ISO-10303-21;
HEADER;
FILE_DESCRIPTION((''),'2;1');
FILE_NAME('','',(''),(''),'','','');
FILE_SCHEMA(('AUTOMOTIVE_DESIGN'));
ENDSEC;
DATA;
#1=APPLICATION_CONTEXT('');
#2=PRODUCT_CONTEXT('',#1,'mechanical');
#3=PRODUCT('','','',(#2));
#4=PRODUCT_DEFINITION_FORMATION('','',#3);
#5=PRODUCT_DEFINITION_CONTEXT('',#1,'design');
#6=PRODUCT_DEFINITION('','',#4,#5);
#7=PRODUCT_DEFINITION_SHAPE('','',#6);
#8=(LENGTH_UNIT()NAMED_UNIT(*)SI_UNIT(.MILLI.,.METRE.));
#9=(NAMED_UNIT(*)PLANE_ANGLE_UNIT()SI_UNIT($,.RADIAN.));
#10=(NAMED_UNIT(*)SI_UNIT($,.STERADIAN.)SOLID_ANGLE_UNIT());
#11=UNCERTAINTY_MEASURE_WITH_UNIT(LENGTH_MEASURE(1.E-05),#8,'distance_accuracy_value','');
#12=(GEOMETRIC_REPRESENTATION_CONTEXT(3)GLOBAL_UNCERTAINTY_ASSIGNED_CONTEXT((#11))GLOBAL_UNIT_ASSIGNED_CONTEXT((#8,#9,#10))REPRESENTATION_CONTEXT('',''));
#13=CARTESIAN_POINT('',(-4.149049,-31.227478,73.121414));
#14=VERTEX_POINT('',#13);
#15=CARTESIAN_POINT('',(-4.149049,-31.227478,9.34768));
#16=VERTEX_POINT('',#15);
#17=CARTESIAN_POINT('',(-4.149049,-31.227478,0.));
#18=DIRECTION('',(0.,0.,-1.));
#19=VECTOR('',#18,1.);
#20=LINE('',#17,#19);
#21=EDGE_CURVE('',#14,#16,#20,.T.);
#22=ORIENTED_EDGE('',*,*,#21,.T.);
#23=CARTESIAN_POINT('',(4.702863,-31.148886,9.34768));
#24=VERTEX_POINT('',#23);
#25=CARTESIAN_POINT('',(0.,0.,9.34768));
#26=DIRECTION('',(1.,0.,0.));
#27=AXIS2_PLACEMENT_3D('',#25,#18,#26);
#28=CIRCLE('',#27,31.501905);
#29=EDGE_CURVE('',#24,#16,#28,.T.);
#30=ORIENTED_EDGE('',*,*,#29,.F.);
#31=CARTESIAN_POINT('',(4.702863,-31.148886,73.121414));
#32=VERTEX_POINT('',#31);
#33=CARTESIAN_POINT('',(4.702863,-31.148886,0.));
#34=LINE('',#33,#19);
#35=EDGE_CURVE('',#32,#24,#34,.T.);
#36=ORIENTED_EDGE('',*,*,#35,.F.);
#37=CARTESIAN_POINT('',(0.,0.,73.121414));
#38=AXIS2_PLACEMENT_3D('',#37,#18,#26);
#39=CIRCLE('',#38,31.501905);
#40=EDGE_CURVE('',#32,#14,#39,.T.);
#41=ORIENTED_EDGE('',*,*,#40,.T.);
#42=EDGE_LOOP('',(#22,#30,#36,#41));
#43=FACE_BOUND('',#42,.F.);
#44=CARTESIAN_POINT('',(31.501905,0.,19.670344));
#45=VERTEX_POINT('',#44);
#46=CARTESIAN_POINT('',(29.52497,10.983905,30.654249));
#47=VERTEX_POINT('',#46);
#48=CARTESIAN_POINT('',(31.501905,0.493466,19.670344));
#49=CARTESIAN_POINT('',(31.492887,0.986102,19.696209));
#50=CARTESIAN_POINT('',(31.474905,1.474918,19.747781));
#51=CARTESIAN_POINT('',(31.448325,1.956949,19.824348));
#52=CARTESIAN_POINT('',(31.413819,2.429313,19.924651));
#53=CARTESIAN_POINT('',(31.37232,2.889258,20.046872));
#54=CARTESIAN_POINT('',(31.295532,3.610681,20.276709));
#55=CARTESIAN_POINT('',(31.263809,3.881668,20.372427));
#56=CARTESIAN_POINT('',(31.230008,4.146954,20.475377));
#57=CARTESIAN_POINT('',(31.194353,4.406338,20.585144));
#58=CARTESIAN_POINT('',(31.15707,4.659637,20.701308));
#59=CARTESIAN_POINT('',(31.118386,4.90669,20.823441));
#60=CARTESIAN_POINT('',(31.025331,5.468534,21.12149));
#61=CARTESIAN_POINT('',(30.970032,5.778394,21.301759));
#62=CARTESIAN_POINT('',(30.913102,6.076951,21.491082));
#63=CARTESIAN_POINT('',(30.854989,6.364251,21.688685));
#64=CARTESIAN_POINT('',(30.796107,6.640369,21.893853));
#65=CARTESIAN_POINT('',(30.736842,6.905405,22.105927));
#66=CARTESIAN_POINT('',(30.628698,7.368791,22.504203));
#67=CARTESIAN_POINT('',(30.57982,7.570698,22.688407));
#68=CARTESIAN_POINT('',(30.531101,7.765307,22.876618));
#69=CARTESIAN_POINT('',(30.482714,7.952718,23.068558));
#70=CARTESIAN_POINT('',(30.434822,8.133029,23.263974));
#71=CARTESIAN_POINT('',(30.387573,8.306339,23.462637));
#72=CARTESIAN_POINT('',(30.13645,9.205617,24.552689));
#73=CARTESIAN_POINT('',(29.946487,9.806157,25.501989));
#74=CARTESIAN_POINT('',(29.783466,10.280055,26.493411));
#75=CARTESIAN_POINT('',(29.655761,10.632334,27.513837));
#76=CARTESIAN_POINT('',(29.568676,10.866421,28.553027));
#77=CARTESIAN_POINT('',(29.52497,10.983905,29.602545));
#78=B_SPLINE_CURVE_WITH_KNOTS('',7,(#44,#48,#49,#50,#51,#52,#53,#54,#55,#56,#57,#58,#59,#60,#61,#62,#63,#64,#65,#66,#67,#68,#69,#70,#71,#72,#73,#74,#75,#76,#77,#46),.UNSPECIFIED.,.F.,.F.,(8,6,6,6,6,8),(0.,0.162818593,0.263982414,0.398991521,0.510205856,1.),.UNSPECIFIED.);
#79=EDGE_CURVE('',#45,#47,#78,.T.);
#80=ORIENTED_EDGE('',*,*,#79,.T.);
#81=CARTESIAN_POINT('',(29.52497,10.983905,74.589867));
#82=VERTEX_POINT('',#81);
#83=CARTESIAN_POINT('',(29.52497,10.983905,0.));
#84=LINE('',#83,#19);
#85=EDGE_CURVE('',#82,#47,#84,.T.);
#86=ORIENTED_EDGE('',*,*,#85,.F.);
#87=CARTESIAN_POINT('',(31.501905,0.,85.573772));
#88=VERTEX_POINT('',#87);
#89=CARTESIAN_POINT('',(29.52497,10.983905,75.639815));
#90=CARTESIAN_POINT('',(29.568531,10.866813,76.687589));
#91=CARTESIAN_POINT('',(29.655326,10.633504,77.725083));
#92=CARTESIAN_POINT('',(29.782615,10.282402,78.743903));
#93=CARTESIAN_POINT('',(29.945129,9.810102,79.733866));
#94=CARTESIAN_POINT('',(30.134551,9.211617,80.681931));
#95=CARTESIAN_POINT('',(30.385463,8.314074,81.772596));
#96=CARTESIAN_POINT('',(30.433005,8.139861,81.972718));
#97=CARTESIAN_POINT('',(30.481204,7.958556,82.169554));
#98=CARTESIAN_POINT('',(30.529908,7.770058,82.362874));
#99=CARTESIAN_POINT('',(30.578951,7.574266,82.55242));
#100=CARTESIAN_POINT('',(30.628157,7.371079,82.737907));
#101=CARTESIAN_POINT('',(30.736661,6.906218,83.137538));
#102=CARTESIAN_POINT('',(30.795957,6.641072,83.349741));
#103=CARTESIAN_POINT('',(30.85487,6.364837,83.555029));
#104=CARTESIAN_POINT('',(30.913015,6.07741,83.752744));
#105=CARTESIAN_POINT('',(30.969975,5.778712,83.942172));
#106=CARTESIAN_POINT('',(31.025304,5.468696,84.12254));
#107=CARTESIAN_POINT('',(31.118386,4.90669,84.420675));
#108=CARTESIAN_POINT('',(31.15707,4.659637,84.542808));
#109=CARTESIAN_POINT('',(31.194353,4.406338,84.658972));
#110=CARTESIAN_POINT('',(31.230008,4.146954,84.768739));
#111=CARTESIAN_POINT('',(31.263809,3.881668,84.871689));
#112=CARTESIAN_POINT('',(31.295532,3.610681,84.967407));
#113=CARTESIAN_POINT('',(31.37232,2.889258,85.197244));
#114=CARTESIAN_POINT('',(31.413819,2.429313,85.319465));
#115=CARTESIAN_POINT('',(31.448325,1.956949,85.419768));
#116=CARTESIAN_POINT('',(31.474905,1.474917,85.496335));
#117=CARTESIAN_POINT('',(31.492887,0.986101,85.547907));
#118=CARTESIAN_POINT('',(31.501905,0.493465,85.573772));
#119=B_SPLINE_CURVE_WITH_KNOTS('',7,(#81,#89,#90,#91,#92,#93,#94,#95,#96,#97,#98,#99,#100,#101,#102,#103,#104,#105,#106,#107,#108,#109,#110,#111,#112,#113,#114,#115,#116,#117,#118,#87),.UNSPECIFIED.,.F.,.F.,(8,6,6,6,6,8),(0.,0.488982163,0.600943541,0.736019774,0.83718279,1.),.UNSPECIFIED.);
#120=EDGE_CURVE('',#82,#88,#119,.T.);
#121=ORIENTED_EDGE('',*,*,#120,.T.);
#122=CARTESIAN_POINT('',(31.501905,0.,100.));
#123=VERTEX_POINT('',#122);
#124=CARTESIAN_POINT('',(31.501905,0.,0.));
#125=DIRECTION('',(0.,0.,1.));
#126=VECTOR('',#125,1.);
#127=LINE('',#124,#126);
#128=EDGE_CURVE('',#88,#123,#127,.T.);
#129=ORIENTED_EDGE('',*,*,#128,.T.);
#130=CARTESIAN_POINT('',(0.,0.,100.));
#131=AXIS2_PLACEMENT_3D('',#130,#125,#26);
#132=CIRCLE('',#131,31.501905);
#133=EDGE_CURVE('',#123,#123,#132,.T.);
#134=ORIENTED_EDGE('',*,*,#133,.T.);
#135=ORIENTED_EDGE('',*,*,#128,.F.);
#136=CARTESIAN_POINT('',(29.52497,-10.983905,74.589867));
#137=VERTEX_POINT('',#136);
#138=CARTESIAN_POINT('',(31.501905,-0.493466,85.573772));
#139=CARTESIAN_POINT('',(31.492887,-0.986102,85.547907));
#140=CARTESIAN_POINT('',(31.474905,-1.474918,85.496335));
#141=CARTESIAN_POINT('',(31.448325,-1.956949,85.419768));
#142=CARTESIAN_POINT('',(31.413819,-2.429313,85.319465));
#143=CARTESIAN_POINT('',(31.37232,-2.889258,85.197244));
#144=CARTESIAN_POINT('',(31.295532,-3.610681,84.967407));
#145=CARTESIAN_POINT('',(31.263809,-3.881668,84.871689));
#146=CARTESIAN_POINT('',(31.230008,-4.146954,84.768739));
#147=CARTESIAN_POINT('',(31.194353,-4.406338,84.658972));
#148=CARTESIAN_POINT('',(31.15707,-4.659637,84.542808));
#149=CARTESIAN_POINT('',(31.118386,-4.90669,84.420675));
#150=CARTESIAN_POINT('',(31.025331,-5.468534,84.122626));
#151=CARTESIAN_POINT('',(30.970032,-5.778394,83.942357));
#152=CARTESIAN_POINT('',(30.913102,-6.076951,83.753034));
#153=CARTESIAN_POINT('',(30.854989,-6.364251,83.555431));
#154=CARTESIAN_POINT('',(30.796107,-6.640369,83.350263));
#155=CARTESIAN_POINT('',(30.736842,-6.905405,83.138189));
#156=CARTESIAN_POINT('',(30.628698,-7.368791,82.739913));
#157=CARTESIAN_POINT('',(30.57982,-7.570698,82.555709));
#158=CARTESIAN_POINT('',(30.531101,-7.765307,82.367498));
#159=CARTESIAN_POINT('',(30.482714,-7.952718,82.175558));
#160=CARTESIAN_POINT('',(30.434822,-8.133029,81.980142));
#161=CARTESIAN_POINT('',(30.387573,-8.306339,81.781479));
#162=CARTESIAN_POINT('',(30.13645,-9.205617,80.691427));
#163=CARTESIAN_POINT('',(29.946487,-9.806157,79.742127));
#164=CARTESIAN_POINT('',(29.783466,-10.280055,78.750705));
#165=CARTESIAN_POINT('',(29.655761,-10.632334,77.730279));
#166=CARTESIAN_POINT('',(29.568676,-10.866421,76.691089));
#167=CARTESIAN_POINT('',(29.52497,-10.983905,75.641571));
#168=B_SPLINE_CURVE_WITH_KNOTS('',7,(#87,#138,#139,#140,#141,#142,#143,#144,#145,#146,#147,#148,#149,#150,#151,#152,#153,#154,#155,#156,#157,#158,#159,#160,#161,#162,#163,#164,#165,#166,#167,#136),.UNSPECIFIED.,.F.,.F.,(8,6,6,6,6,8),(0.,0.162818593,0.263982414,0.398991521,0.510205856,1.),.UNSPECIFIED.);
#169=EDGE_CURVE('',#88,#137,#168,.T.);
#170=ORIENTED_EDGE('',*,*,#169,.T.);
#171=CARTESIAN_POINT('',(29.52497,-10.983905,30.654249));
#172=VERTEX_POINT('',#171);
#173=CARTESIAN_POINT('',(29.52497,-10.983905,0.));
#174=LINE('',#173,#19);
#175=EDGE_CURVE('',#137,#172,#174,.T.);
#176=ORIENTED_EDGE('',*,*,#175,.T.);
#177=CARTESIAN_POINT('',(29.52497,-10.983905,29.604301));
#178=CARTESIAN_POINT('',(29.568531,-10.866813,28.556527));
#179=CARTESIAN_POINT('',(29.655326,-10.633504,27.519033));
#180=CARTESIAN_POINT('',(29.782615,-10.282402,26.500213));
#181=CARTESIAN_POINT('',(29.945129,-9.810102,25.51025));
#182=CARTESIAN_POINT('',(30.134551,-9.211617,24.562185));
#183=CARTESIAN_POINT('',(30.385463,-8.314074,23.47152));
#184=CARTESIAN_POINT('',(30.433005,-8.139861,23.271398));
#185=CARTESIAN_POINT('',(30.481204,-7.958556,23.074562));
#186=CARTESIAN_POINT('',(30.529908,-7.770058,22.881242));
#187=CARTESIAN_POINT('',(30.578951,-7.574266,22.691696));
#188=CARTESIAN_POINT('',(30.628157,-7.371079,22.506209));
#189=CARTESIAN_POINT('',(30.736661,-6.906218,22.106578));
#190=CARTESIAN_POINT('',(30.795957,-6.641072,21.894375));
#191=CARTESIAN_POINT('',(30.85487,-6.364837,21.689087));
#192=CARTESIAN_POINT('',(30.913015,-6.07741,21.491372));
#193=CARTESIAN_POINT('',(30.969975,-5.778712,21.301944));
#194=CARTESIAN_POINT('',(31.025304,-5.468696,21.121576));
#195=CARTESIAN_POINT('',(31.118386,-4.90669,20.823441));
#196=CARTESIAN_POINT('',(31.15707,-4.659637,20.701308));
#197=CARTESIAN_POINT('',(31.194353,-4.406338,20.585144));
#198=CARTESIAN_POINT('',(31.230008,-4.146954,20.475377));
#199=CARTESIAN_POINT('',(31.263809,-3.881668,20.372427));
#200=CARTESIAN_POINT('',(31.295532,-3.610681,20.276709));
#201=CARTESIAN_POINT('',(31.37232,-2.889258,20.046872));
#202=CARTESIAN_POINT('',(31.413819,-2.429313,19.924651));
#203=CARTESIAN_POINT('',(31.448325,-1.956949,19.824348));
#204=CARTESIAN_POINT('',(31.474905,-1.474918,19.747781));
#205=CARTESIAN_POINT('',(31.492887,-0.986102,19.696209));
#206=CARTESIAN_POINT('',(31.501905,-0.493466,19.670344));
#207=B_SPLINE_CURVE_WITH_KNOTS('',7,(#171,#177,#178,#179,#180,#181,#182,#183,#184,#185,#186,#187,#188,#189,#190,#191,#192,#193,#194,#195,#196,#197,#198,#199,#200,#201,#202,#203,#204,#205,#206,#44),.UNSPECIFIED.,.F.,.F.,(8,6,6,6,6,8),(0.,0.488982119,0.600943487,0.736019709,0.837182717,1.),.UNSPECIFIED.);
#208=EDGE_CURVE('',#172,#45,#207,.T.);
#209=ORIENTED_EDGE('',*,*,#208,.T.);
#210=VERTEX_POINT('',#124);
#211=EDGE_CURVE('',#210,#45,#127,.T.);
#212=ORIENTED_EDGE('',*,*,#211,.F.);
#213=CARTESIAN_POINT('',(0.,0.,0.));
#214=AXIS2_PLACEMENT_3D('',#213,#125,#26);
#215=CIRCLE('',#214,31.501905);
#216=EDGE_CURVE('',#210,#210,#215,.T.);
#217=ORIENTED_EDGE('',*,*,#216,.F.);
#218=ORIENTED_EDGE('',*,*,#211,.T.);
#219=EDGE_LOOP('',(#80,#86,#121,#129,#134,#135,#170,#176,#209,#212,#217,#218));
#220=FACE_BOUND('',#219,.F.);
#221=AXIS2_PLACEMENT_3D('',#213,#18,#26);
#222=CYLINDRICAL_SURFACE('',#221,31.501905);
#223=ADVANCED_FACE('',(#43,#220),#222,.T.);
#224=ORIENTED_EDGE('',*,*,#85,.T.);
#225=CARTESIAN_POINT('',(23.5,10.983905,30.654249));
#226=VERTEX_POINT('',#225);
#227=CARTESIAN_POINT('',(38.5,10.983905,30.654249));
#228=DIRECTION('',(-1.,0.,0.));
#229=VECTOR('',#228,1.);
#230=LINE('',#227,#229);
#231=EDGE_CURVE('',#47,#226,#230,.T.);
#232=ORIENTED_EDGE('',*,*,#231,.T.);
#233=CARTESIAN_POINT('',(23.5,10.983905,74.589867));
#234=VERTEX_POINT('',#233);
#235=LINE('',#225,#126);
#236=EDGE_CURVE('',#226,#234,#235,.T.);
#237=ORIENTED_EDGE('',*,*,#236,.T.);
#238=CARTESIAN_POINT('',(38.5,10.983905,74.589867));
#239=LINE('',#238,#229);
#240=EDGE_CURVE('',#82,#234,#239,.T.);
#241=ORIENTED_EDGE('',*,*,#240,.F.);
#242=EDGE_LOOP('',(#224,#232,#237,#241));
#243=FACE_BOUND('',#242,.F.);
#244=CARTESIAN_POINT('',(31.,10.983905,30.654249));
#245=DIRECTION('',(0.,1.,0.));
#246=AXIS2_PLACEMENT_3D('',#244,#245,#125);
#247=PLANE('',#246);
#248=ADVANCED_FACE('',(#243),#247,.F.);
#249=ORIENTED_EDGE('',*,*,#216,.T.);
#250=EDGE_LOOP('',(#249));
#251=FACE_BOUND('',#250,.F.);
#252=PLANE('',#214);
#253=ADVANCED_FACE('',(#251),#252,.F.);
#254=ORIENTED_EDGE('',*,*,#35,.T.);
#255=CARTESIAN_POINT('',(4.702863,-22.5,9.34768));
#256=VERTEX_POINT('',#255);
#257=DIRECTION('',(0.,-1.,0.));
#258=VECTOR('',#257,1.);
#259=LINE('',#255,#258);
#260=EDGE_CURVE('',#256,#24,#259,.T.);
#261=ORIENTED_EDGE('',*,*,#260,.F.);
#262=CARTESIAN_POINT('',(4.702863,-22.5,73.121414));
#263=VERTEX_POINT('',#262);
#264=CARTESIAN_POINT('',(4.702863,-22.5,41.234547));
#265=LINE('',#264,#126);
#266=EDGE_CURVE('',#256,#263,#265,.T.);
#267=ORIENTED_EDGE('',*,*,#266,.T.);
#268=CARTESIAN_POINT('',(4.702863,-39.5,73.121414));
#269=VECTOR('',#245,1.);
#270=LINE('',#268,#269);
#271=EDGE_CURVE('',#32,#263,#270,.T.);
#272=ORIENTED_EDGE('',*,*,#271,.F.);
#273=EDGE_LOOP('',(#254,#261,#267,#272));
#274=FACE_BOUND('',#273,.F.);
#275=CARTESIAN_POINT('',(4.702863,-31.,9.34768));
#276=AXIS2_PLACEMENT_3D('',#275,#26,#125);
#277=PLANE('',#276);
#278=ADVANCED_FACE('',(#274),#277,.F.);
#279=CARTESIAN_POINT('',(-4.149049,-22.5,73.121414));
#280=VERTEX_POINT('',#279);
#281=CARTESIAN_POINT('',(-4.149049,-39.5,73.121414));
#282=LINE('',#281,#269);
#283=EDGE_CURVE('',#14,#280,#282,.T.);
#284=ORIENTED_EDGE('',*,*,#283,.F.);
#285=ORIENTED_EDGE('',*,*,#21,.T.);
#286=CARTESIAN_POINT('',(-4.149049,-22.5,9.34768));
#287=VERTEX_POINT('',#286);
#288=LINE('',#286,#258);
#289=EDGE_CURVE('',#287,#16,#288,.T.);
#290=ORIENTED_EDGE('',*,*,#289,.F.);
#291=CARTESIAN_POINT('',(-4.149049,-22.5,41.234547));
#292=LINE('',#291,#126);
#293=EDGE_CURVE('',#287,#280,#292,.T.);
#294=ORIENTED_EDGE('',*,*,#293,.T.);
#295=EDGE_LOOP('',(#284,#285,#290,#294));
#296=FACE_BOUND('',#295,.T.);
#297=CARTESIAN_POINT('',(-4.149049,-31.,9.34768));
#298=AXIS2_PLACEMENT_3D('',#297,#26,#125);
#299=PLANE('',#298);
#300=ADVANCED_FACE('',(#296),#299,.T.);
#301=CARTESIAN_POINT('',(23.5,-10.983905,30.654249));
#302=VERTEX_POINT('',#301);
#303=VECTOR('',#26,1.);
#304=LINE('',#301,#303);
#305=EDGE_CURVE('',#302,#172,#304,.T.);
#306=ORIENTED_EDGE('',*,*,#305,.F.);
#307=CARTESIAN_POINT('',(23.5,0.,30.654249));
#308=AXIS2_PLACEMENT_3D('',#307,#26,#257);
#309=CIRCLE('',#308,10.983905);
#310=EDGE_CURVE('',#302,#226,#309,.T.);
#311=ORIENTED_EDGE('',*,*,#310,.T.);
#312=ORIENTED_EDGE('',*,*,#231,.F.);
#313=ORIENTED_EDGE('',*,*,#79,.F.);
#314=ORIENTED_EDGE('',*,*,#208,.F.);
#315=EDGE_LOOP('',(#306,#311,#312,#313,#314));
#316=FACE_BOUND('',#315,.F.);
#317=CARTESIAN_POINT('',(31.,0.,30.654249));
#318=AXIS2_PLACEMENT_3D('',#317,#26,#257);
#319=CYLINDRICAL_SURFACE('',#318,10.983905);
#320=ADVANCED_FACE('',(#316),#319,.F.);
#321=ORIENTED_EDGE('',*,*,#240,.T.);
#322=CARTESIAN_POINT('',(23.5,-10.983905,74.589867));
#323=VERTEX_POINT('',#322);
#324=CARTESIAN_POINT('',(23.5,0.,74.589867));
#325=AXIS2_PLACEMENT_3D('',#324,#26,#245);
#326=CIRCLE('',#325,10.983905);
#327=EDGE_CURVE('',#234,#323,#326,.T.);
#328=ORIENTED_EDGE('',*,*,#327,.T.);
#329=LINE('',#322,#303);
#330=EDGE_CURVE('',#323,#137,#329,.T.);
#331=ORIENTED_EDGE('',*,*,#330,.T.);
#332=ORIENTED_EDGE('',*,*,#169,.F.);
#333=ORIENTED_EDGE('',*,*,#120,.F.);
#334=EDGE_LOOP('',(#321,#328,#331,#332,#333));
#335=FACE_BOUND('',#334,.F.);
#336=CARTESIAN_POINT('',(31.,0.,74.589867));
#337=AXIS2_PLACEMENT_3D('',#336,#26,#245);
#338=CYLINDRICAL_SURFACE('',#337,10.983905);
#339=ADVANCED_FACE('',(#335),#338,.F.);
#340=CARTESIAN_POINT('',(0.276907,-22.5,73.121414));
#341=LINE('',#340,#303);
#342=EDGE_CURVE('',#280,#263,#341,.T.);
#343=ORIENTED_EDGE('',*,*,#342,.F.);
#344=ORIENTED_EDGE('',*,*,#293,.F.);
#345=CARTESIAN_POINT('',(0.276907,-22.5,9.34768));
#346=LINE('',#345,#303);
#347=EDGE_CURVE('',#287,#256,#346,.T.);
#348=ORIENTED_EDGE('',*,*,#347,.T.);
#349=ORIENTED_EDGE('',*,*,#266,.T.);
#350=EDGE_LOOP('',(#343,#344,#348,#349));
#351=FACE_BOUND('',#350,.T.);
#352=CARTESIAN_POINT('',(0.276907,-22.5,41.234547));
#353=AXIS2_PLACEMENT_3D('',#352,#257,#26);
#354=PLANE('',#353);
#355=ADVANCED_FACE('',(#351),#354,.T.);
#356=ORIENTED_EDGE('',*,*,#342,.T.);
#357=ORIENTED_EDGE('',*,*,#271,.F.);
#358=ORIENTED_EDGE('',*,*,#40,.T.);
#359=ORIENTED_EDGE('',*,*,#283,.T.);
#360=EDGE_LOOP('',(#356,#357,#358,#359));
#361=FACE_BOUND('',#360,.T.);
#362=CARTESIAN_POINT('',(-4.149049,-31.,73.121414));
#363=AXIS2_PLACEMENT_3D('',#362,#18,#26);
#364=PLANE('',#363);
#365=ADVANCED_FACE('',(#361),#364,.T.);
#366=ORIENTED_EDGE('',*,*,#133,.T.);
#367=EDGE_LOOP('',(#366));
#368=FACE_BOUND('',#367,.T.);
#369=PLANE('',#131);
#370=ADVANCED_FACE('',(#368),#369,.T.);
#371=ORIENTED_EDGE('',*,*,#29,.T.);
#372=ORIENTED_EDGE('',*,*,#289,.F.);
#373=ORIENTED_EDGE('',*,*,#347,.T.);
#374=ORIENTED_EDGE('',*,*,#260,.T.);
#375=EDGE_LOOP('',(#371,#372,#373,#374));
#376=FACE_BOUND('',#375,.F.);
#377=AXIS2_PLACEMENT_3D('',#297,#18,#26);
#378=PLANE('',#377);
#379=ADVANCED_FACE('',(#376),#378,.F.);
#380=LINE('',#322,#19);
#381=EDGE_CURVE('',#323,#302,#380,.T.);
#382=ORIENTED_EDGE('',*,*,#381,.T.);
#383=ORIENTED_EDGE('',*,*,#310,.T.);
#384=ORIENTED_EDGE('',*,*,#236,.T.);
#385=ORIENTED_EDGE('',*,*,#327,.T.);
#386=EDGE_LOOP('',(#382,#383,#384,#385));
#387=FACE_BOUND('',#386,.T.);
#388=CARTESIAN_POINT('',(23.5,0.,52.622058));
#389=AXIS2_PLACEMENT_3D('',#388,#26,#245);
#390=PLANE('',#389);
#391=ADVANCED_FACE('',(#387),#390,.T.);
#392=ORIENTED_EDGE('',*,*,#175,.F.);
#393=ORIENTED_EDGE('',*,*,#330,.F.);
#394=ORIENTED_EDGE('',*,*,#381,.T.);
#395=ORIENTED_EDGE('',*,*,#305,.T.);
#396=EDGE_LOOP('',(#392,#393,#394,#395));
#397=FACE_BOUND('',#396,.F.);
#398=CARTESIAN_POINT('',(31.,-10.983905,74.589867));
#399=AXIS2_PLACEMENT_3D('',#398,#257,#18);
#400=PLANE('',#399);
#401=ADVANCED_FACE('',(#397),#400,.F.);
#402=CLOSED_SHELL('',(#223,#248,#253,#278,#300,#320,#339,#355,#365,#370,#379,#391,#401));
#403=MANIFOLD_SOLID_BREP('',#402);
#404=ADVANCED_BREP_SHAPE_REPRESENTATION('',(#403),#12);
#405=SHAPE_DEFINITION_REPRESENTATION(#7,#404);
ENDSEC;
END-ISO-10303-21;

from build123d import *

# Parameters (mm, degrees)
SKETCH_R        = 31.501905
PAD_DEPTH       = 100
SKETCH001_W     = 8.851912
SKETCH001_H     = 63.773734
POCKET_DEPTH    = 8.5
POCKET001_DEPTH = 7.5


with BuildPart() as part:
    # Sketch (on Sketch) → Pad (new body)
    with BuildSketch(Plane.XY):
        Circle(SKETCH_R)
    extrude(amount=PAD_DEPTH)

    # Sketch001 (on Sketch) → Pocket (cut, symmetric)
    with BuildSketch(Plane(origin=(-2, -31, 0), x_dir=(1, 0, 0), z_dir=(0, -1, 0))):
        with Locations((2.276907, 41.234547)):
            Rectangle(SKETCH001_W, SKETCH001_H)
    extrude(amount=POCKET_DEPTH, both=True, mode=Mode.SUBTRACT)

    # Sketch002 → Pocket001 (cut, symmetric)
    with BuildSketch(Plane.YZ.offset(31)):
        with BuildLine():
            ThreePointArc((10.983905, 74.589867), (0, 85.573772), (-10.983905, 74.589867))
            Line((-10.983905, 74.589867), (-10.983905, 30.654249))
            ThreePointArc((-10.983905, 30.654249), (0, 19.670344), (10.983905, 30.654249))
            Line((10.983905, 30.654249), (10.983905, 74.589867))
        make_face()
    extrude(amount=POCKET001_DEPTH, both=True, mode=Mode.SUBTRACT)


solid = part.part
